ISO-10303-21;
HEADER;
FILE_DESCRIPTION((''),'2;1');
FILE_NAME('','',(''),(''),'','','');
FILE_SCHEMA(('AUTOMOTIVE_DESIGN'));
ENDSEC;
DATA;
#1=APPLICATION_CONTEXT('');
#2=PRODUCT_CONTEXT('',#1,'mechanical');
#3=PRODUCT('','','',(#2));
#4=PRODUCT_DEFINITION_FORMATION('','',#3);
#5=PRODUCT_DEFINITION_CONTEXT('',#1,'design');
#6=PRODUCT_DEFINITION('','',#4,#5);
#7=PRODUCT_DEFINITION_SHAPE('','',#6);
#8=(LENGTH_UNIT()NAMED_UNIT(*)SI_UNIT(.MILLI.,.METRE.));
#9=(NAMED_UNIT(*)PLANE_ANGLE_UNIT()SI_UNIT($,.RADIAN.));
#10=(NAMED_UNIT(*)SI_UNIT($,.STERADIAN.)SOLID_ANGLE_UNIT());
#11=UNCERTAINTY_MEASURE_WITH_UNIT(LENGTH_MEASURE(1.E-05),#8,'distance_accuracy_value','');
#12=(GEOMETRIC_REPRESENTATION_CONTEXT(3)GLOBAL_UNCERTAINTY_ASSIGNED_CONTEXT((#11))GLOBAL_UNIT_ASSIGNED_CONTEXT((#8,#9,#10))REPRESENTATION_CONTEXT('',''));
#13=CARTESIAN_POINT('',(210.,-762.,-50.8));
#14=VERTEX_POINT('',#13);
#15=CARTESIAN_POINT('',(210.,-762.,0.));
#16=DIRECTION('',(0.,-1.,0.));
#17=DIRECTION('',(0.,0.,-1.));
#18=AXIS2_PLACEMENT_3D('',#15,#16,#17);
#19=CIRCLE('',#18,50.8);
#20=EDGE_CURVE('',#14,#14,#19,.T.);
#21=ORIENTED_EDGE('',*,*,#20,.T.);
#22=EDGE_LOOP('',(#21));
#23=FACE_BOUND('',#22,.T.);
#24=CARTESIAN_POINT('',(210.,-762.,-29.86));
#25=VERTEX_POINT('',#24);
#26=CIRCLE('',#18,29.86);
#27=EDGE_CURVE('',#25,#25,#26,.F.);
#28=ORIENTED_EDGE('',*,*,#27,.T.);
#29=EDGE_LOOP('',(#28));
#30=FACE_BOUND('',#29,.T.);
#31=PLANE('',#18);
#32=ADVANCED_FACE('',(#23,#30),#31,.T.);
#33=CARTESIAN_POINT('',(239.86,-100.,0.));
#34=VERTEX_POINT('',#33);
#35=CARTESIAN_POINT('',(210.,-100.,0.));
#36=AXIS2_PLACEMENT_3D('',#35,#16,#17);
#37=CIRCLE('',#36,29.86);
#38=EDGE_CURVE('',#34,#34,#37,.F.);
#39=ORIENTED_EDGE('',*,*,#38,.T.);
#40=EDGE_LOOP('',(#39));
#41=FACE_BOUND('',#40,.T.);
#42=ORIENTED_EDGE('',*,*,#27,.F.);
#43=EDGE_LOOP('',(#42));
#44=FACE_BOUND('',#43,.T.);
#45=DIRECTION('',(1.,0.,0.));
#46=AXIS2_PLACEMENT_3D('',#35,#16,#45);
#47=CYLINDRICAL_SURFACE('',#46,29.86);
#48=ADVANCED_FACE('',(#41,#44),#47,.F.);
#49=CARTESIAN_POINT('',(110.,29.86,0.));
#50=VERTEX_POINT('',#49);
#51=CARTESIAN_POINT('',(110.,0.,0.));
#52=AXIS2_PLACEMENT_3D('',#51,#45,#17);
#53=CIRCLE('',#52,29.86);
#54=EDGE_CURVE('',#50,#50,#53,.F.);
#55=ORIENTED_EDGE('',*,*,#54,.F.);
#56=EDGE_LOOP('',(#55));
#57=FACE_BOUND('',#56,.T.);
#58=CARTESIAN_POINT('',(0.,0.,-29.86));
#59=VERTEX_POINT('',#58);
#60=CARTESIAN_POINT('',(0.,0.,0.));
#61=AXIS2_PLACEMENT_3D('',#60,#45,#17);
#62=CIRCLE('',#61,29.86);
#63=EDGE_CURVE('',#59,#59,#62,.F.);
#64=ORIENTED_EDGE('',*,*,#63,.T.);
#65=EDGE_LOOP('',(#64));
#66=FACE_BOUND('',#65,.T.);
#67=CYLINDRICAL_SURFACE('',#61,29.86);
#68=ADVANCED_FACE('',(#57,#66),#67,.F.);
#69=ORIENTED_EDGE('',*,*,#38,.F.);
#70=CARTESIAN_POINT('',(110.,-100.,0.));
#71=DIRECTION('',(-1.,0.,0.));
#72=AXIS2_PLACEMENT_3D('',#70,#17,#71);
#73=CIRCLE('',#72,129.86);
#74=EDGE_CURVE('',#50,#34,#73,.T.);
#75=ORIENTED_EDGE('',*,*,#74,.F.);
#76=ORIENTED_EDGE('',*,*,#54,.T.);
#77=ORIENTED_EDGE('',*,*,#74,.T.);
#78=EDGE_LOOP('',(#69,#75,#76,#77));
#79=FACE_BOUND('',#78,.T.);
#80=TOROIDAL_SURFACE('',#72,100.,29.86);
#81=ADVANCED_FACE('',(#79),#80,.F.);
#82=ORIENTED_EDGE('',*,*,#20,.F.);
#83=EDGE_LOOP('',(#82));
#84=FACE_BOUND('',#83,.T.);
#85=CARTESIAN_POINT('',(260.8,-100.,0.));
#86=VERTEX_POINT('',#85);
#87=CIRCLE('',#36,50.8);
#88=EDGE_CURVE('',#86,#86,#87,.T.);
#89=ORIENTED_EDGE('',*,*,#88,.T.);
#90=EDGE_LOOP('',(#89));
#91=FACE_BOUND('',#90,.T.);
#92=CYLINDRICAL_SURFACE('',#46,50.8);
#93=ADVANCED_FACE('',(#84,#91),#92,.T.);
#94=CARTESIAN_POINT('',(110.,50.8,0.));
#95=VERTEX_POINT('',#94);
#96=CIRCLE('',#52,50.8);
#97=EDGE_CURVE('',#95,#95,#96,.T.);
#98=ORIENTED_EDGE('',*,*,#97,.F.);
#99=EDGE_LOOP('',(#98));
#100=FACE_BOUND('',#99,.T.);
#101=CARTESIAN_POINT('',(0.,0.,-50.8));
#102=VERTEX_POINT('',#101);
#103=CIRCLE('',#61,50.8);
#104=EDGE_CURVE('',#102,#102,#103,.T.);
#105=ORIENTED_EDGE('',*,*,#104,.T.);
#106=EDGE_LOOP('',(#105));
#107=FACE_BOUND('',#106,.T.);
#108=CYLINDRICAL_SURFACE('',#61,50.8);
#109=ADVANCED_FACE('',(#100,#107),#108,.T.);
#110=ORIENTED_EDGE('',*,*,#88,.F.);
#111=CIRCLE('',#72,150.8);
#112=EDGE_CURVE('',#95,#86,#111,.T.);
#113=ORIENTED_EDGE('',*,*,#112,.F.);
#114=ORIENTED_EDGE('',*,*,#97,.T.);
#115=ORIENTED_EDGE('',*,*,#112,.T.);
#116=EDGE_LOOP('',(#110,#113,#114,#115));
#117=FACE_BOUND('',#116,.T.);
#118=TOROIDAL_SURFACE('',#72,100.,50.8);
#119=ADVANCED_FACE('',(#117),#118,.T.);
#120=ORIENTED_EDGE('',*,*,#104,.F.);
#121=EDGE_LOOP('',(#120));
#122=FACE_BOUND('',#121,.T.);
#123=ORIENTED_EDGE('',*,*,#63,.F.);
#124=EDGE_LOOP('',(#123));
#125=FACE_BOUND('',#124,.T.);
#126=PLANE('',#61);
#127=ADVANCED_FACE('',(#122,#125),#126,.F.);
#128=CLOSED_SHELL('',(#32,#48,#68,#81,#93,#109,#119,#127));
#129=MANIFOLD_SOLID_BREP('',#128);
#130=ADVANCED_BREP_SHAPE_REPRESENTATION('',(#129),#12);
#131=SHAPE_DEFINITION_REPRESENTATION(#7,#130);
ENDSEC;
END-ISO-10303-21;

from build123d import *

# Parameters (mm, degrees)
SKETCH2_R   = 50.8
SKETCH2_R_2 = 29.86


with BuildPart() as part:
    # Sweep1: sweep along a path in Sketch1
    with BuildLine(Plane.XY) as sweep1_path:
        Line((0, 0), (110, 0))
        ThreePointArc((110, 0), (180.710678119, -29.289321881), (210, -100))
        Line((210, -100), (210, -762))
    # Sketch2 → Sweep1 (sweep)
    with BuildSketch(Plane(origin=(0, 0, 0), x_dir=(0, 0, -1), z_dir=(1, 0, 0))):
        Circle(SKETCH2_R)
        Circle(SKETCH2_R_2, mode=Mode.SUBTRACT)
    sweep(path=sweep1_path.line)


solid = part.part
